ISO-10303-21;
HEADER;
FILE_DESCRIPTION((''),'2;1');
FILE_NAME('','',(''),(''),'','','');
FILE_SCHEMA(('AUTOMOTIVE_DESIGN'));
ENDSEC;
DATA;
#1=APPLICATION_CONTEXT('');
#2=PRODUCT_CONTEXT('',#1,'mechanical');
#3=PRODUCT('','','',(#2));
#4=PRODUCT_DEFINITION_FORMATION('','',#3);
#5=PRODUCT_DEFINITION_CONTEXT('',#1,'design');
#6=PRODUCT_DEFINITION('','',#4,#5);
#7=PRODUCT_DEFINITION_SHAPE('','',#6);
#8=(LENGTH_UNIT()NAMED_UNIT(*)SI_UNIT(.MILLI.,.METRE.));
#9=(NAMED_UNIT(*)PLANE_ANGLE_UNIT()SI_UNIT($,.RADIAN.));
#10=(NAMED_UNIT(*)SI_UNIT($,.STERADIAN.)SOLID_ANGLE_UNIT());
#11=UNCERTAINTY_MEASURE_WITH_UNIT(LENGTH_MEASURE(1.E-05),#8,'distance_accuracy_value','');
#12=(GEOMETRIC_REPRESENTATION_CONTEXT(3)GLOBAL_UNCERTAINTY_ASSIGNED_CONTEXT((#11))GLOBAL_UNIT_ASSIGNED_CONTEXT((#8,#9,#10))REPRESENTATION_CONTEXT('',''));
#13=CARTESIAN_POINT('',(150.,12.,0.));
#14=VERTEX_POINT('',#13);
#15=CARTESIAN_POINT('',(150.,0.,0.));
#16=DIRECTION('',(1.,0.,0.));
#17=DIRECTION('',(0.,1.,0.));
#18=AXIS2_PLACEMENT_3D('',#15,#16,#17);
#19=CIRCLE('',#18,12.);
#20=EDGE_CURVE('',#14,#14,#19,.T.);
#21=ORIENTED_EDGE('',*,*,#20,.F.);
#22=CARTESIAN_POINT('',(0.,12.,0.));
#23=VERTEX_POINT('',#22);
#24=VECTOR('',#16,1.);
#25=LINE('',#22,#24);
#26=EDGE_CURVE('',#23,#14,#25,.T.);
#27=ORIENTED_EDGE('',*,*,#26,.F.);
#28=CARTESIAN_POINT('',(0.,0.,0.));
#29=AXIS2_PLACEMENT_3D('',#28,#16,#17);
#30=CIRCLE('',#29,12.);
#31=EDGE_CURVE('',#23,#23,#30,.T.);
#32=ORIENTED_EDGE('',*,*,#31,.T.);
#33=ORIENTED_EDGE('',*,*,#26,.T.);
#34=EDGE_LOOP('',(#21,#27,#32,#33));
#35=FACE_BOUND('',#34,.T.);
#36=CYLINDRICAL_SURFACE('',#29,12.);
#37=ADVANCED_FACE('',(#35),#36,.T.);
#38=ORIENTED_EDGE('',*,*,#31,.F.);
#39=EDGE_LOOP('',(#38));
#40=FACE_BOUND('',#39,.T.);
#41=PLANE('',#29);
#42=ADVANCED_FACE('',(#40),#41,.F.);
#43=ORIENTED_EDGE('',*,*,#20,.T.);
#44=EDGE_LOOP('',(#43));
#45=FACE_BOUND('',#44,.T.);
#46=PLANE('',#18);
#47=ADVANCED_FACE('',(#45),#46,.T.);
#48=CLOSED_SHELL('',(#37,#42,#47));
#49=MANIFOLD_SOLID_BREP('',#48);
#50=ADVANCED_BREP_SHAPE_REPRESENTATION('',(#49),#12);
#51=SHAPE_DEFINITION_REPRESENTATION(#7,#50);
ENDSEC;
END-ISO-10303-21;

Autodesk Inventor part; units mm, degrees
ref_plane "Plan de départ" through (0, 0, 0) normal (1, 0, 0) x (0, 1, 0)
ref_plane "XY Plane" through (0, 0, 0) normal (0, 0, 1) x (1, 0, 0)
sketch "Esquisse principale" plane through (0, 0, 0) normal (0, 0, 1) x (1, 0, 0)
  line L0 (0, 0) -> (150, 0)
  line L1 (0, 0) -> (0, 12)
  line L2 (150, 12) -> (150, 0)
  line L3 (0, 12) -> (150, 12)
  dimension "d3" = 24
revolve "Révolution1" add sketch "Esquisse principale" angle 360 about axis through (0, 0, 0) along (1, 0, 0)
equation "\"Length\" = 150"
properties part number "ArbreRoue" material "Steel"
